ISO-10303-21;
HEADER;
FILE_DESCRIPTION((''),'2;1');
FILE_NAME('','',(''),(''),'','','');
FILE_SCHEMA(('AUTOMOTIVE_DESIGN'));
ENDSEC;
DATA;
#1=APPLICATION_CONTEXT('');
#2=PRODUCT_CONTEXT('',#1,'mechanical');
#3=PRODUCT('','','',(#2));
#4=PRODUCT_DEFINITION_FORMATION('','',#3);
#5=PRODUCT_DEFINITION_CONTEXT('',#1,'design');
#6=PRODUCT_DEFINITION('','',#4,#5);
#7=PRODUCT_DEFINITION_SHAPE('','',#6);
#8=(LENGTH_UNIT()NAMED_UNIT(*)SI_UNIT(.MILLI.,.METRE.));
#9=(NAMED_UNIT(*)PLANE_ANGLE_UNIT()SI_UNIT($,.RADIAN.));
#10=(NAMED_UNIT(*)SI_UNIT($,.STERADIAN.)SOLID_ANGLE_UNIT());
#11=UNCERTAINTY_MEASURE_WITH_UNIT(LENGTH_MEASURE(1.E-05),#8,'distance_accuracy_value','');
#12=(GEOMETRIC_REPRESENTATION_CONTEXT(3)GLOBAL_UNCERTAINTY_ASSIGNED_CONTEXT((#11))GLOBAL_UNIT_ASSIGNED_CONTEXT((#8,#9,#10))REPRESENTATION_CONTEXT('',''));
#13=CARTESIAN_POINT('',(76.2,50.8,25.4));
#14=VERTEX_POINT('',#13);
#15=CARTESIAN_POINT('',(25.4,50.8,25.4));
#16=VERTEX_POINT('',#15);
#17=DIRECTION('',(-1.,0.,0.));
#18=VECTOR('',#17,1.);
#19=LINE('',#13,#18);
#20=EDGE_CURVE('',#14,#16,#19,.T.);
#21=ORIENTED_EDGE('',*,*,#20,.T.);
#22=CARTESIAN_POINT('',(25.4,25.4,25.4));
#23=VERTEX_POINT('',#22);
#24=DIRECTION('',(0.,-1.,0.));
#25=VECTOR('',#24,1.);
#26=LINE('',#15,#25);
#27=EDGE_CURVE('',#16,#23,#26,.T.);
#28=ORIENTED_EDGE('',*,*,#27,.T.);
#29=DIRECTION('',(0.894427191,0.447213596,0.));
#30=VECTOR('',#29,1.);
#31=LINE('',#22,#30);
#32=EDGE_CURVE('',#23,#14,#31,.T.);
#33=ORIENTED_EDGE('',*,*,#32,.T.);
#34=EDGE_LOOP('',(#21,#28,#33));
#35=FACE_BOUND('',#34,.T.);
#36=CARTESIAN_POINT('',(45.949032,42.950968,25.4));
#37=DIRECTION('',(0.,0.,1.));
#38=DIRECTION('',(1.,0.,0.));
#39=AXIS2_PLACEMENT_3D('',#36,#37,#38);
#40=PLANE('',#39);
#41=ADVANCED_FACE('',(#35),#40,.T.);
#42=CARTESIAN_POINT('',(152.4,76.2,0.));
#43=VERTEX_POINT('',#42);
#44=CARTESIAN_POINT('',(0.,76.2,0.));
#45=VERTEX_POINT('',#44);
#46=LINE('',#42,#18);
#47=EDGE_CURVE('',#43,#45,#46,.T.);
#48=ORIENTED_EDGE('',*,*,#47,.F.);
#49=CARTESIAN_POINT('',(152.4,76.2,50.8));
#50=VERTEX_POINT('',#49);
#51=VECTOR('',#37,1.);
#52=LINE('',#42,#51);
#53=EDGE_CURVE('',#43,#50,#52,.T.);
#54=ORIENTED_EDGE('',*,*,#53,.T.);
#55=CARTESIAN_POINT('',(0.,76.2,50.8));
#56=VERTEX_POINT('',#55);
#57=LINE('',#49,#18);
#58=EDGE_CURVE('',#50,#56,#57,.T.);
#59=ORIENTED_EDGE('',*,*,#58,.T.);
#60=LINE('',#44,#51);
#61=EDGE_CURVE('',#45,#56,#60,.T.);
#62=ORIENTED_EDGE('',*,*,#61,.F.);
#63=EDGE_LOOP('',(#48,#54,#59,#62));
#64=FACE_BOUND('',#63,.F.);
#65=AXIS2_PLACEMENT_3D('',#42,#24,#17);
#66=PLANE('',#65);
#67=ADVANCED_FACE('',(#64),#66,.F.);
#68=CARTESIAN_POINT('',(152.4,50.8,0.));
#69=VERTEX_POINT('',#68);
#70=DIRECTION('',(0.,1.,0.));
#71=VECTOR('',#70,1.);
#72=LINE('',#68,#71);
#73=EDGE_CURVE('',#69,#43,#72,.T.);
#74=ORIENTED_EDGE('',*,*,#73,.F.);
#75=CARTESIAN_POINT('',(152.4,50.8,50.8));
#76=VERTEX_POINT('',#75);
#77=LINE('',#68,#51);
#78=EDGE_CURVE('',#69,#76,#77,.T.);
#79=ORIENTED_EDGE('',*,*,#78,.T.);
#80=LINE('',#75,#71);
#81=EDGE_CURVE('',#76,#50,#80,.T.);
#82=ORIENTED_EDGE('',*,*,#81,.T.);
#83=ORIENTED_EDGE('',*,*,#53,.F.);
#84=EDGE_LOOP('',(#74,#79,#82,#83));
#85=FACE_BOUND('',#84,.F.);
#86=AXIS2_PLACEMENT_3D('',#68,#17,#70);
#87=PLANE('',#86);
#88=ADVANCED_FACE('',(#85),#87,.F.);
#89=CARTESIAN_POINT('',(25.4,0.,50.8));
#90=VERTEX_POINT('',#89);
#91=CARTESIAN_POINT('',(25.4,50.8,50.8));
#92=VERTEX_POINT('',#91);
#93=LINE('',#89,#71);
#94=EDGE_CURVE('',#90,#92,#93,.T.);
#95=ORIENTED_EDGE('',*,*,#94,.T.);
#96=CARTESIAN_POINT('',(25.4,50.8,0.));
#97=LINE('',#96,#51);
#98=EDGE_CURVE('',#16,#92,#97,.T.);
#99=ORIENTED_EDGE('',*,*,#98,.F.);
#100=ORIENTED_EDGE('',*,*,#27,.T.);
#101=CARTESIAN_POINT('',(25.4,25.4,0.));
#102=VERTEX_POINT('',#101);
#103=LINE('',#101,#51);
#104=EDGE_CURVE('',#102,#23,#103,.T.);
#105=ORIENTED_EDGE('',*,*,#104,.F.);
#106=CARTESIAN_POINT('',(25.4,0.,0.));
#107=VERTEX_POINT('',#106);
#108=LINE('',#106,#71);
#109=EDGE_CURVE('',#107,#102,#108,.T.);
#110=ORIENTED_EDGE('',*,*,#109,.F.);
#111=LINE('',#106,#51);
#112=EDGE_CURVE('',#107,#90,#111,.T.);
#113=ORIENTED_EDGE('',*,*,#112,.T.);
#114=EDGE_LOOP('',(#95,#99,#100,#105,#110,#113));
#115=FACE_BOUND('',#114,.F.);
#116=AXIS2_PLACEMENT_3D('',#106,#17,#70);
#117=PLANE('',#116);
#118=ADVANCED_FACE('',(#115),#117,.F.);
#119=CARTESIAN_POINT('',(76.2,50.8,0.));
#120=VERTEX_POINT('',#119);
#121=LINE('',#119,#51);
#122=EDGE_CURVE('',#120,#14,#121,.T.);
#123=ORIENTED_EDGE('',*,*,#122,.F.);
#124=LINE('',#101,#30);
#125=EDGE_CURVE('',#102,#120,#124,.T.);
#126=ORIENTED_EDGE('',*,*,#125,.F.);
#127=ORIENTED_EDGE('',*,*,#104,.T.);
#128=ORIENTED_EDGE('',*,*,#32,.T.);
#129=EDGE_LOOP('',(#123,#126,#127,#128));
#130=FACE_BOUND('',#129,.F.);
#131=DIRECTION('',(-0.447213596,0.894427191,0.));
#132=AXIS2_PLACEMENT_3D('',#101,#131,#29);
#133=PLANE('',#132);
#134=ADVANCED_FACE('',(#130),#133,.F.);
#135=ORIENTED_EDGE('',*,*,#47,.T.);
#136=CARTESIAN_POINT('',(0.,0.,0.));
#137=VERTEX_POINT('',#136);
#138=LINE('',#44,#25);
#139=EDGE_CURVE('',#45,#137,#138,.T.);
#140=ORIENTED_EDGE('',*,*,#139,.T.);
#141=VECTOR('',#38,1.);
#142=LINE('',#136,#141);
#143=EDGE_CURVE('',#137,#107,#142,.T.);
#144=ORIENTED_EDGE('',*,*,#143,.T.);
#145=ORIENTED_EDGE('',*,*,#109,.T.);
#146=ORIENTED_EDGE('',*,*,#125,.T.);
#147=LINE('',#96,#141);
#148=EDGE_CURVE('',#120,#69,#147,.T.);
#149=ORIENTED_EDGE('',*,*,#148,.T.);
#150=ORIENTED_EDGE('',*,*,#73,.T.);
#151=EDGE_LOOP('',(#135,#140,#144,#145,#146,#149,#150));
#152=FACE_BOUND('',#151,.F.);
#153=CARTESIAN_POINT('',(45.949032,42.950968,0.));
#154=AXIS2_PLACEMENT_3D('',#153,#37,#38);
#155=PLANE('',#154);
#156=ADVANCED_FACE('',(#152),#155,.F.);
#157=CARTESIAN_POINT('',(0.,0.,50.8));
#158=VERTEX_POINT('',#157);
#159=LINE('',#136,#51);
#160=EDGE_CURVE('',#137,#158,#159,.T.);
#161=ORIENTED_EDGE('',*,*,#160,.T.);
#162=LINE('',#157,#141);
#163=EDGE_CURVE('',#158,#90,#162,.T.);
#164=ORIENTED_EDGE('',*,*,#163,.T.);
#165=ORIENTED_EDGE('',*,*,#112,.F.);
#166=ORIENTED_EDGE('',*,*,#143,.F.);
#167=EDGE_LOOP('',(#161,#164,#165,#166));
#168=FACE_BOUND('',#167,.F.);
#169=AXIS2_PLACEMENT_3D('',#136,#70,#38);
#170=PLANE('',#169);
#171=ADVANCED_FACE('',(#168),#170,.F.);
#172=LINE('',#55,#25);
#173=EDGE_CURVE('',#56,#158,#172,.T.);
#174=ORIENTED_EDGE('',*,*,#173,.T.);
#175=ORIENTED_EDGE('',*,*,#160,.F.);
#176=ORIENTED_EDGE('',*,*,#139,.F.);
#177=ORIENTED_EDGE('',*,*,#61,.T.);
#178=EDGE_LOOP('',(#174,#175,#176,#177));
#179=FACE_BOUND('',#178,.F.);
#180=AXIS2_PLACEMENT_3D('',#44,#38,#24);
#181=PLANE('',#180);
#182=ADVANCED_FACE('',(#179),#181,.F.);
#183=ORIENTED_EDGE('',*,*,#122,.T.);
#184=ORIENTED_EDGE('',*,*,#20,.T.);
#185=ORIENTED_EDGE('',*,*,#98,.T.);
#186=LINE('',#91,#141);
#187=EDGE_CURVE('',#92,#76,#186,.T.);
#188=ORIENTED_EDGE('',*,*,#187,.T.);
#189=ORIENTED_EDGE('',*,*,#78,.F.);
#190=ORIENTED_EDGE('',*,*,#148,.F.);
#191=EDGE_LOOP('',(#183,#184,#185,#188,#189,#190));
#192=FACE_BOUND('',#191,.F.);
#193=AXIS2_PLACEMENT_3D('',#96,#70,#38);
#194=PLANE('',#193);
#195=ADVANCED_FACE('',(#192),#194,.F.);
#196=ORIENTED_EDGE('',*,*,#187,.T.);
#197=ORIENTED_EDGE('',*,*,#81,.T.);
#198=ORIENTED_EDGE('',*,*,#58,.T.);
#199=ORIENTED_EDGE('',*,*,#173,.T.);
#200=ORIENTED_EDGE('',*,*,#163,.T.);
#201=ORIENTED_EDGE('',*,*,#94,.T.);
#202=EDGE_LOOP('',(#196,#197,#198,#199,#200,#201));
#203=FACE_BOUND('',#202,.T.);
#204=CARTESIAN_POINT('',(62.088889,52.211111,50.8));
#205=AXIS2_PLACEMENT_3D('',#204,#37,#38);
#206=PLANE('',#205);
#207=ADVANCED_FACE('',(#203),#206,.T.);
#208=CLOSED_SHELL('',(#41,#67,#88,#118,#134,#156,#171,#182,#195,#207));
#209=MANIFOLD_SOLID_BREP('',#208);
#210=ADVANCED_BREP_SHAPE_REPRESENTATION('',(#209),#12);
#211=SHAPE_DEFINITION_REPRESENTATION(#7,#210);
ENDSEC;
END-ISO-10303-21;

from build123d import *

# Parameters (mm, degrees)
F1_DEPTH = 50.8
F3_DEPTH = 25.4


with BuildPart() as f1:
    # F0 (on Top) → F1 (new body)
    with BuildSketch(Plane.XY):
        Polygon((0, 76.2), (0, 0), (25.4, 0), (25.4, 50.8), (152.4, 50.8), (152.4, 76.2), align=None)
    extrude(amount=F1_DEPTH)

    # F2 (on Top) → F3 (join)
    with BuildSketch(Plane.XY):
        Polygon((76.2, 50.8), (25.4, 50.8), (25.4, 25.4), align=None)
    extrude(amount=F3_DEPTH)


solid = f1.part
